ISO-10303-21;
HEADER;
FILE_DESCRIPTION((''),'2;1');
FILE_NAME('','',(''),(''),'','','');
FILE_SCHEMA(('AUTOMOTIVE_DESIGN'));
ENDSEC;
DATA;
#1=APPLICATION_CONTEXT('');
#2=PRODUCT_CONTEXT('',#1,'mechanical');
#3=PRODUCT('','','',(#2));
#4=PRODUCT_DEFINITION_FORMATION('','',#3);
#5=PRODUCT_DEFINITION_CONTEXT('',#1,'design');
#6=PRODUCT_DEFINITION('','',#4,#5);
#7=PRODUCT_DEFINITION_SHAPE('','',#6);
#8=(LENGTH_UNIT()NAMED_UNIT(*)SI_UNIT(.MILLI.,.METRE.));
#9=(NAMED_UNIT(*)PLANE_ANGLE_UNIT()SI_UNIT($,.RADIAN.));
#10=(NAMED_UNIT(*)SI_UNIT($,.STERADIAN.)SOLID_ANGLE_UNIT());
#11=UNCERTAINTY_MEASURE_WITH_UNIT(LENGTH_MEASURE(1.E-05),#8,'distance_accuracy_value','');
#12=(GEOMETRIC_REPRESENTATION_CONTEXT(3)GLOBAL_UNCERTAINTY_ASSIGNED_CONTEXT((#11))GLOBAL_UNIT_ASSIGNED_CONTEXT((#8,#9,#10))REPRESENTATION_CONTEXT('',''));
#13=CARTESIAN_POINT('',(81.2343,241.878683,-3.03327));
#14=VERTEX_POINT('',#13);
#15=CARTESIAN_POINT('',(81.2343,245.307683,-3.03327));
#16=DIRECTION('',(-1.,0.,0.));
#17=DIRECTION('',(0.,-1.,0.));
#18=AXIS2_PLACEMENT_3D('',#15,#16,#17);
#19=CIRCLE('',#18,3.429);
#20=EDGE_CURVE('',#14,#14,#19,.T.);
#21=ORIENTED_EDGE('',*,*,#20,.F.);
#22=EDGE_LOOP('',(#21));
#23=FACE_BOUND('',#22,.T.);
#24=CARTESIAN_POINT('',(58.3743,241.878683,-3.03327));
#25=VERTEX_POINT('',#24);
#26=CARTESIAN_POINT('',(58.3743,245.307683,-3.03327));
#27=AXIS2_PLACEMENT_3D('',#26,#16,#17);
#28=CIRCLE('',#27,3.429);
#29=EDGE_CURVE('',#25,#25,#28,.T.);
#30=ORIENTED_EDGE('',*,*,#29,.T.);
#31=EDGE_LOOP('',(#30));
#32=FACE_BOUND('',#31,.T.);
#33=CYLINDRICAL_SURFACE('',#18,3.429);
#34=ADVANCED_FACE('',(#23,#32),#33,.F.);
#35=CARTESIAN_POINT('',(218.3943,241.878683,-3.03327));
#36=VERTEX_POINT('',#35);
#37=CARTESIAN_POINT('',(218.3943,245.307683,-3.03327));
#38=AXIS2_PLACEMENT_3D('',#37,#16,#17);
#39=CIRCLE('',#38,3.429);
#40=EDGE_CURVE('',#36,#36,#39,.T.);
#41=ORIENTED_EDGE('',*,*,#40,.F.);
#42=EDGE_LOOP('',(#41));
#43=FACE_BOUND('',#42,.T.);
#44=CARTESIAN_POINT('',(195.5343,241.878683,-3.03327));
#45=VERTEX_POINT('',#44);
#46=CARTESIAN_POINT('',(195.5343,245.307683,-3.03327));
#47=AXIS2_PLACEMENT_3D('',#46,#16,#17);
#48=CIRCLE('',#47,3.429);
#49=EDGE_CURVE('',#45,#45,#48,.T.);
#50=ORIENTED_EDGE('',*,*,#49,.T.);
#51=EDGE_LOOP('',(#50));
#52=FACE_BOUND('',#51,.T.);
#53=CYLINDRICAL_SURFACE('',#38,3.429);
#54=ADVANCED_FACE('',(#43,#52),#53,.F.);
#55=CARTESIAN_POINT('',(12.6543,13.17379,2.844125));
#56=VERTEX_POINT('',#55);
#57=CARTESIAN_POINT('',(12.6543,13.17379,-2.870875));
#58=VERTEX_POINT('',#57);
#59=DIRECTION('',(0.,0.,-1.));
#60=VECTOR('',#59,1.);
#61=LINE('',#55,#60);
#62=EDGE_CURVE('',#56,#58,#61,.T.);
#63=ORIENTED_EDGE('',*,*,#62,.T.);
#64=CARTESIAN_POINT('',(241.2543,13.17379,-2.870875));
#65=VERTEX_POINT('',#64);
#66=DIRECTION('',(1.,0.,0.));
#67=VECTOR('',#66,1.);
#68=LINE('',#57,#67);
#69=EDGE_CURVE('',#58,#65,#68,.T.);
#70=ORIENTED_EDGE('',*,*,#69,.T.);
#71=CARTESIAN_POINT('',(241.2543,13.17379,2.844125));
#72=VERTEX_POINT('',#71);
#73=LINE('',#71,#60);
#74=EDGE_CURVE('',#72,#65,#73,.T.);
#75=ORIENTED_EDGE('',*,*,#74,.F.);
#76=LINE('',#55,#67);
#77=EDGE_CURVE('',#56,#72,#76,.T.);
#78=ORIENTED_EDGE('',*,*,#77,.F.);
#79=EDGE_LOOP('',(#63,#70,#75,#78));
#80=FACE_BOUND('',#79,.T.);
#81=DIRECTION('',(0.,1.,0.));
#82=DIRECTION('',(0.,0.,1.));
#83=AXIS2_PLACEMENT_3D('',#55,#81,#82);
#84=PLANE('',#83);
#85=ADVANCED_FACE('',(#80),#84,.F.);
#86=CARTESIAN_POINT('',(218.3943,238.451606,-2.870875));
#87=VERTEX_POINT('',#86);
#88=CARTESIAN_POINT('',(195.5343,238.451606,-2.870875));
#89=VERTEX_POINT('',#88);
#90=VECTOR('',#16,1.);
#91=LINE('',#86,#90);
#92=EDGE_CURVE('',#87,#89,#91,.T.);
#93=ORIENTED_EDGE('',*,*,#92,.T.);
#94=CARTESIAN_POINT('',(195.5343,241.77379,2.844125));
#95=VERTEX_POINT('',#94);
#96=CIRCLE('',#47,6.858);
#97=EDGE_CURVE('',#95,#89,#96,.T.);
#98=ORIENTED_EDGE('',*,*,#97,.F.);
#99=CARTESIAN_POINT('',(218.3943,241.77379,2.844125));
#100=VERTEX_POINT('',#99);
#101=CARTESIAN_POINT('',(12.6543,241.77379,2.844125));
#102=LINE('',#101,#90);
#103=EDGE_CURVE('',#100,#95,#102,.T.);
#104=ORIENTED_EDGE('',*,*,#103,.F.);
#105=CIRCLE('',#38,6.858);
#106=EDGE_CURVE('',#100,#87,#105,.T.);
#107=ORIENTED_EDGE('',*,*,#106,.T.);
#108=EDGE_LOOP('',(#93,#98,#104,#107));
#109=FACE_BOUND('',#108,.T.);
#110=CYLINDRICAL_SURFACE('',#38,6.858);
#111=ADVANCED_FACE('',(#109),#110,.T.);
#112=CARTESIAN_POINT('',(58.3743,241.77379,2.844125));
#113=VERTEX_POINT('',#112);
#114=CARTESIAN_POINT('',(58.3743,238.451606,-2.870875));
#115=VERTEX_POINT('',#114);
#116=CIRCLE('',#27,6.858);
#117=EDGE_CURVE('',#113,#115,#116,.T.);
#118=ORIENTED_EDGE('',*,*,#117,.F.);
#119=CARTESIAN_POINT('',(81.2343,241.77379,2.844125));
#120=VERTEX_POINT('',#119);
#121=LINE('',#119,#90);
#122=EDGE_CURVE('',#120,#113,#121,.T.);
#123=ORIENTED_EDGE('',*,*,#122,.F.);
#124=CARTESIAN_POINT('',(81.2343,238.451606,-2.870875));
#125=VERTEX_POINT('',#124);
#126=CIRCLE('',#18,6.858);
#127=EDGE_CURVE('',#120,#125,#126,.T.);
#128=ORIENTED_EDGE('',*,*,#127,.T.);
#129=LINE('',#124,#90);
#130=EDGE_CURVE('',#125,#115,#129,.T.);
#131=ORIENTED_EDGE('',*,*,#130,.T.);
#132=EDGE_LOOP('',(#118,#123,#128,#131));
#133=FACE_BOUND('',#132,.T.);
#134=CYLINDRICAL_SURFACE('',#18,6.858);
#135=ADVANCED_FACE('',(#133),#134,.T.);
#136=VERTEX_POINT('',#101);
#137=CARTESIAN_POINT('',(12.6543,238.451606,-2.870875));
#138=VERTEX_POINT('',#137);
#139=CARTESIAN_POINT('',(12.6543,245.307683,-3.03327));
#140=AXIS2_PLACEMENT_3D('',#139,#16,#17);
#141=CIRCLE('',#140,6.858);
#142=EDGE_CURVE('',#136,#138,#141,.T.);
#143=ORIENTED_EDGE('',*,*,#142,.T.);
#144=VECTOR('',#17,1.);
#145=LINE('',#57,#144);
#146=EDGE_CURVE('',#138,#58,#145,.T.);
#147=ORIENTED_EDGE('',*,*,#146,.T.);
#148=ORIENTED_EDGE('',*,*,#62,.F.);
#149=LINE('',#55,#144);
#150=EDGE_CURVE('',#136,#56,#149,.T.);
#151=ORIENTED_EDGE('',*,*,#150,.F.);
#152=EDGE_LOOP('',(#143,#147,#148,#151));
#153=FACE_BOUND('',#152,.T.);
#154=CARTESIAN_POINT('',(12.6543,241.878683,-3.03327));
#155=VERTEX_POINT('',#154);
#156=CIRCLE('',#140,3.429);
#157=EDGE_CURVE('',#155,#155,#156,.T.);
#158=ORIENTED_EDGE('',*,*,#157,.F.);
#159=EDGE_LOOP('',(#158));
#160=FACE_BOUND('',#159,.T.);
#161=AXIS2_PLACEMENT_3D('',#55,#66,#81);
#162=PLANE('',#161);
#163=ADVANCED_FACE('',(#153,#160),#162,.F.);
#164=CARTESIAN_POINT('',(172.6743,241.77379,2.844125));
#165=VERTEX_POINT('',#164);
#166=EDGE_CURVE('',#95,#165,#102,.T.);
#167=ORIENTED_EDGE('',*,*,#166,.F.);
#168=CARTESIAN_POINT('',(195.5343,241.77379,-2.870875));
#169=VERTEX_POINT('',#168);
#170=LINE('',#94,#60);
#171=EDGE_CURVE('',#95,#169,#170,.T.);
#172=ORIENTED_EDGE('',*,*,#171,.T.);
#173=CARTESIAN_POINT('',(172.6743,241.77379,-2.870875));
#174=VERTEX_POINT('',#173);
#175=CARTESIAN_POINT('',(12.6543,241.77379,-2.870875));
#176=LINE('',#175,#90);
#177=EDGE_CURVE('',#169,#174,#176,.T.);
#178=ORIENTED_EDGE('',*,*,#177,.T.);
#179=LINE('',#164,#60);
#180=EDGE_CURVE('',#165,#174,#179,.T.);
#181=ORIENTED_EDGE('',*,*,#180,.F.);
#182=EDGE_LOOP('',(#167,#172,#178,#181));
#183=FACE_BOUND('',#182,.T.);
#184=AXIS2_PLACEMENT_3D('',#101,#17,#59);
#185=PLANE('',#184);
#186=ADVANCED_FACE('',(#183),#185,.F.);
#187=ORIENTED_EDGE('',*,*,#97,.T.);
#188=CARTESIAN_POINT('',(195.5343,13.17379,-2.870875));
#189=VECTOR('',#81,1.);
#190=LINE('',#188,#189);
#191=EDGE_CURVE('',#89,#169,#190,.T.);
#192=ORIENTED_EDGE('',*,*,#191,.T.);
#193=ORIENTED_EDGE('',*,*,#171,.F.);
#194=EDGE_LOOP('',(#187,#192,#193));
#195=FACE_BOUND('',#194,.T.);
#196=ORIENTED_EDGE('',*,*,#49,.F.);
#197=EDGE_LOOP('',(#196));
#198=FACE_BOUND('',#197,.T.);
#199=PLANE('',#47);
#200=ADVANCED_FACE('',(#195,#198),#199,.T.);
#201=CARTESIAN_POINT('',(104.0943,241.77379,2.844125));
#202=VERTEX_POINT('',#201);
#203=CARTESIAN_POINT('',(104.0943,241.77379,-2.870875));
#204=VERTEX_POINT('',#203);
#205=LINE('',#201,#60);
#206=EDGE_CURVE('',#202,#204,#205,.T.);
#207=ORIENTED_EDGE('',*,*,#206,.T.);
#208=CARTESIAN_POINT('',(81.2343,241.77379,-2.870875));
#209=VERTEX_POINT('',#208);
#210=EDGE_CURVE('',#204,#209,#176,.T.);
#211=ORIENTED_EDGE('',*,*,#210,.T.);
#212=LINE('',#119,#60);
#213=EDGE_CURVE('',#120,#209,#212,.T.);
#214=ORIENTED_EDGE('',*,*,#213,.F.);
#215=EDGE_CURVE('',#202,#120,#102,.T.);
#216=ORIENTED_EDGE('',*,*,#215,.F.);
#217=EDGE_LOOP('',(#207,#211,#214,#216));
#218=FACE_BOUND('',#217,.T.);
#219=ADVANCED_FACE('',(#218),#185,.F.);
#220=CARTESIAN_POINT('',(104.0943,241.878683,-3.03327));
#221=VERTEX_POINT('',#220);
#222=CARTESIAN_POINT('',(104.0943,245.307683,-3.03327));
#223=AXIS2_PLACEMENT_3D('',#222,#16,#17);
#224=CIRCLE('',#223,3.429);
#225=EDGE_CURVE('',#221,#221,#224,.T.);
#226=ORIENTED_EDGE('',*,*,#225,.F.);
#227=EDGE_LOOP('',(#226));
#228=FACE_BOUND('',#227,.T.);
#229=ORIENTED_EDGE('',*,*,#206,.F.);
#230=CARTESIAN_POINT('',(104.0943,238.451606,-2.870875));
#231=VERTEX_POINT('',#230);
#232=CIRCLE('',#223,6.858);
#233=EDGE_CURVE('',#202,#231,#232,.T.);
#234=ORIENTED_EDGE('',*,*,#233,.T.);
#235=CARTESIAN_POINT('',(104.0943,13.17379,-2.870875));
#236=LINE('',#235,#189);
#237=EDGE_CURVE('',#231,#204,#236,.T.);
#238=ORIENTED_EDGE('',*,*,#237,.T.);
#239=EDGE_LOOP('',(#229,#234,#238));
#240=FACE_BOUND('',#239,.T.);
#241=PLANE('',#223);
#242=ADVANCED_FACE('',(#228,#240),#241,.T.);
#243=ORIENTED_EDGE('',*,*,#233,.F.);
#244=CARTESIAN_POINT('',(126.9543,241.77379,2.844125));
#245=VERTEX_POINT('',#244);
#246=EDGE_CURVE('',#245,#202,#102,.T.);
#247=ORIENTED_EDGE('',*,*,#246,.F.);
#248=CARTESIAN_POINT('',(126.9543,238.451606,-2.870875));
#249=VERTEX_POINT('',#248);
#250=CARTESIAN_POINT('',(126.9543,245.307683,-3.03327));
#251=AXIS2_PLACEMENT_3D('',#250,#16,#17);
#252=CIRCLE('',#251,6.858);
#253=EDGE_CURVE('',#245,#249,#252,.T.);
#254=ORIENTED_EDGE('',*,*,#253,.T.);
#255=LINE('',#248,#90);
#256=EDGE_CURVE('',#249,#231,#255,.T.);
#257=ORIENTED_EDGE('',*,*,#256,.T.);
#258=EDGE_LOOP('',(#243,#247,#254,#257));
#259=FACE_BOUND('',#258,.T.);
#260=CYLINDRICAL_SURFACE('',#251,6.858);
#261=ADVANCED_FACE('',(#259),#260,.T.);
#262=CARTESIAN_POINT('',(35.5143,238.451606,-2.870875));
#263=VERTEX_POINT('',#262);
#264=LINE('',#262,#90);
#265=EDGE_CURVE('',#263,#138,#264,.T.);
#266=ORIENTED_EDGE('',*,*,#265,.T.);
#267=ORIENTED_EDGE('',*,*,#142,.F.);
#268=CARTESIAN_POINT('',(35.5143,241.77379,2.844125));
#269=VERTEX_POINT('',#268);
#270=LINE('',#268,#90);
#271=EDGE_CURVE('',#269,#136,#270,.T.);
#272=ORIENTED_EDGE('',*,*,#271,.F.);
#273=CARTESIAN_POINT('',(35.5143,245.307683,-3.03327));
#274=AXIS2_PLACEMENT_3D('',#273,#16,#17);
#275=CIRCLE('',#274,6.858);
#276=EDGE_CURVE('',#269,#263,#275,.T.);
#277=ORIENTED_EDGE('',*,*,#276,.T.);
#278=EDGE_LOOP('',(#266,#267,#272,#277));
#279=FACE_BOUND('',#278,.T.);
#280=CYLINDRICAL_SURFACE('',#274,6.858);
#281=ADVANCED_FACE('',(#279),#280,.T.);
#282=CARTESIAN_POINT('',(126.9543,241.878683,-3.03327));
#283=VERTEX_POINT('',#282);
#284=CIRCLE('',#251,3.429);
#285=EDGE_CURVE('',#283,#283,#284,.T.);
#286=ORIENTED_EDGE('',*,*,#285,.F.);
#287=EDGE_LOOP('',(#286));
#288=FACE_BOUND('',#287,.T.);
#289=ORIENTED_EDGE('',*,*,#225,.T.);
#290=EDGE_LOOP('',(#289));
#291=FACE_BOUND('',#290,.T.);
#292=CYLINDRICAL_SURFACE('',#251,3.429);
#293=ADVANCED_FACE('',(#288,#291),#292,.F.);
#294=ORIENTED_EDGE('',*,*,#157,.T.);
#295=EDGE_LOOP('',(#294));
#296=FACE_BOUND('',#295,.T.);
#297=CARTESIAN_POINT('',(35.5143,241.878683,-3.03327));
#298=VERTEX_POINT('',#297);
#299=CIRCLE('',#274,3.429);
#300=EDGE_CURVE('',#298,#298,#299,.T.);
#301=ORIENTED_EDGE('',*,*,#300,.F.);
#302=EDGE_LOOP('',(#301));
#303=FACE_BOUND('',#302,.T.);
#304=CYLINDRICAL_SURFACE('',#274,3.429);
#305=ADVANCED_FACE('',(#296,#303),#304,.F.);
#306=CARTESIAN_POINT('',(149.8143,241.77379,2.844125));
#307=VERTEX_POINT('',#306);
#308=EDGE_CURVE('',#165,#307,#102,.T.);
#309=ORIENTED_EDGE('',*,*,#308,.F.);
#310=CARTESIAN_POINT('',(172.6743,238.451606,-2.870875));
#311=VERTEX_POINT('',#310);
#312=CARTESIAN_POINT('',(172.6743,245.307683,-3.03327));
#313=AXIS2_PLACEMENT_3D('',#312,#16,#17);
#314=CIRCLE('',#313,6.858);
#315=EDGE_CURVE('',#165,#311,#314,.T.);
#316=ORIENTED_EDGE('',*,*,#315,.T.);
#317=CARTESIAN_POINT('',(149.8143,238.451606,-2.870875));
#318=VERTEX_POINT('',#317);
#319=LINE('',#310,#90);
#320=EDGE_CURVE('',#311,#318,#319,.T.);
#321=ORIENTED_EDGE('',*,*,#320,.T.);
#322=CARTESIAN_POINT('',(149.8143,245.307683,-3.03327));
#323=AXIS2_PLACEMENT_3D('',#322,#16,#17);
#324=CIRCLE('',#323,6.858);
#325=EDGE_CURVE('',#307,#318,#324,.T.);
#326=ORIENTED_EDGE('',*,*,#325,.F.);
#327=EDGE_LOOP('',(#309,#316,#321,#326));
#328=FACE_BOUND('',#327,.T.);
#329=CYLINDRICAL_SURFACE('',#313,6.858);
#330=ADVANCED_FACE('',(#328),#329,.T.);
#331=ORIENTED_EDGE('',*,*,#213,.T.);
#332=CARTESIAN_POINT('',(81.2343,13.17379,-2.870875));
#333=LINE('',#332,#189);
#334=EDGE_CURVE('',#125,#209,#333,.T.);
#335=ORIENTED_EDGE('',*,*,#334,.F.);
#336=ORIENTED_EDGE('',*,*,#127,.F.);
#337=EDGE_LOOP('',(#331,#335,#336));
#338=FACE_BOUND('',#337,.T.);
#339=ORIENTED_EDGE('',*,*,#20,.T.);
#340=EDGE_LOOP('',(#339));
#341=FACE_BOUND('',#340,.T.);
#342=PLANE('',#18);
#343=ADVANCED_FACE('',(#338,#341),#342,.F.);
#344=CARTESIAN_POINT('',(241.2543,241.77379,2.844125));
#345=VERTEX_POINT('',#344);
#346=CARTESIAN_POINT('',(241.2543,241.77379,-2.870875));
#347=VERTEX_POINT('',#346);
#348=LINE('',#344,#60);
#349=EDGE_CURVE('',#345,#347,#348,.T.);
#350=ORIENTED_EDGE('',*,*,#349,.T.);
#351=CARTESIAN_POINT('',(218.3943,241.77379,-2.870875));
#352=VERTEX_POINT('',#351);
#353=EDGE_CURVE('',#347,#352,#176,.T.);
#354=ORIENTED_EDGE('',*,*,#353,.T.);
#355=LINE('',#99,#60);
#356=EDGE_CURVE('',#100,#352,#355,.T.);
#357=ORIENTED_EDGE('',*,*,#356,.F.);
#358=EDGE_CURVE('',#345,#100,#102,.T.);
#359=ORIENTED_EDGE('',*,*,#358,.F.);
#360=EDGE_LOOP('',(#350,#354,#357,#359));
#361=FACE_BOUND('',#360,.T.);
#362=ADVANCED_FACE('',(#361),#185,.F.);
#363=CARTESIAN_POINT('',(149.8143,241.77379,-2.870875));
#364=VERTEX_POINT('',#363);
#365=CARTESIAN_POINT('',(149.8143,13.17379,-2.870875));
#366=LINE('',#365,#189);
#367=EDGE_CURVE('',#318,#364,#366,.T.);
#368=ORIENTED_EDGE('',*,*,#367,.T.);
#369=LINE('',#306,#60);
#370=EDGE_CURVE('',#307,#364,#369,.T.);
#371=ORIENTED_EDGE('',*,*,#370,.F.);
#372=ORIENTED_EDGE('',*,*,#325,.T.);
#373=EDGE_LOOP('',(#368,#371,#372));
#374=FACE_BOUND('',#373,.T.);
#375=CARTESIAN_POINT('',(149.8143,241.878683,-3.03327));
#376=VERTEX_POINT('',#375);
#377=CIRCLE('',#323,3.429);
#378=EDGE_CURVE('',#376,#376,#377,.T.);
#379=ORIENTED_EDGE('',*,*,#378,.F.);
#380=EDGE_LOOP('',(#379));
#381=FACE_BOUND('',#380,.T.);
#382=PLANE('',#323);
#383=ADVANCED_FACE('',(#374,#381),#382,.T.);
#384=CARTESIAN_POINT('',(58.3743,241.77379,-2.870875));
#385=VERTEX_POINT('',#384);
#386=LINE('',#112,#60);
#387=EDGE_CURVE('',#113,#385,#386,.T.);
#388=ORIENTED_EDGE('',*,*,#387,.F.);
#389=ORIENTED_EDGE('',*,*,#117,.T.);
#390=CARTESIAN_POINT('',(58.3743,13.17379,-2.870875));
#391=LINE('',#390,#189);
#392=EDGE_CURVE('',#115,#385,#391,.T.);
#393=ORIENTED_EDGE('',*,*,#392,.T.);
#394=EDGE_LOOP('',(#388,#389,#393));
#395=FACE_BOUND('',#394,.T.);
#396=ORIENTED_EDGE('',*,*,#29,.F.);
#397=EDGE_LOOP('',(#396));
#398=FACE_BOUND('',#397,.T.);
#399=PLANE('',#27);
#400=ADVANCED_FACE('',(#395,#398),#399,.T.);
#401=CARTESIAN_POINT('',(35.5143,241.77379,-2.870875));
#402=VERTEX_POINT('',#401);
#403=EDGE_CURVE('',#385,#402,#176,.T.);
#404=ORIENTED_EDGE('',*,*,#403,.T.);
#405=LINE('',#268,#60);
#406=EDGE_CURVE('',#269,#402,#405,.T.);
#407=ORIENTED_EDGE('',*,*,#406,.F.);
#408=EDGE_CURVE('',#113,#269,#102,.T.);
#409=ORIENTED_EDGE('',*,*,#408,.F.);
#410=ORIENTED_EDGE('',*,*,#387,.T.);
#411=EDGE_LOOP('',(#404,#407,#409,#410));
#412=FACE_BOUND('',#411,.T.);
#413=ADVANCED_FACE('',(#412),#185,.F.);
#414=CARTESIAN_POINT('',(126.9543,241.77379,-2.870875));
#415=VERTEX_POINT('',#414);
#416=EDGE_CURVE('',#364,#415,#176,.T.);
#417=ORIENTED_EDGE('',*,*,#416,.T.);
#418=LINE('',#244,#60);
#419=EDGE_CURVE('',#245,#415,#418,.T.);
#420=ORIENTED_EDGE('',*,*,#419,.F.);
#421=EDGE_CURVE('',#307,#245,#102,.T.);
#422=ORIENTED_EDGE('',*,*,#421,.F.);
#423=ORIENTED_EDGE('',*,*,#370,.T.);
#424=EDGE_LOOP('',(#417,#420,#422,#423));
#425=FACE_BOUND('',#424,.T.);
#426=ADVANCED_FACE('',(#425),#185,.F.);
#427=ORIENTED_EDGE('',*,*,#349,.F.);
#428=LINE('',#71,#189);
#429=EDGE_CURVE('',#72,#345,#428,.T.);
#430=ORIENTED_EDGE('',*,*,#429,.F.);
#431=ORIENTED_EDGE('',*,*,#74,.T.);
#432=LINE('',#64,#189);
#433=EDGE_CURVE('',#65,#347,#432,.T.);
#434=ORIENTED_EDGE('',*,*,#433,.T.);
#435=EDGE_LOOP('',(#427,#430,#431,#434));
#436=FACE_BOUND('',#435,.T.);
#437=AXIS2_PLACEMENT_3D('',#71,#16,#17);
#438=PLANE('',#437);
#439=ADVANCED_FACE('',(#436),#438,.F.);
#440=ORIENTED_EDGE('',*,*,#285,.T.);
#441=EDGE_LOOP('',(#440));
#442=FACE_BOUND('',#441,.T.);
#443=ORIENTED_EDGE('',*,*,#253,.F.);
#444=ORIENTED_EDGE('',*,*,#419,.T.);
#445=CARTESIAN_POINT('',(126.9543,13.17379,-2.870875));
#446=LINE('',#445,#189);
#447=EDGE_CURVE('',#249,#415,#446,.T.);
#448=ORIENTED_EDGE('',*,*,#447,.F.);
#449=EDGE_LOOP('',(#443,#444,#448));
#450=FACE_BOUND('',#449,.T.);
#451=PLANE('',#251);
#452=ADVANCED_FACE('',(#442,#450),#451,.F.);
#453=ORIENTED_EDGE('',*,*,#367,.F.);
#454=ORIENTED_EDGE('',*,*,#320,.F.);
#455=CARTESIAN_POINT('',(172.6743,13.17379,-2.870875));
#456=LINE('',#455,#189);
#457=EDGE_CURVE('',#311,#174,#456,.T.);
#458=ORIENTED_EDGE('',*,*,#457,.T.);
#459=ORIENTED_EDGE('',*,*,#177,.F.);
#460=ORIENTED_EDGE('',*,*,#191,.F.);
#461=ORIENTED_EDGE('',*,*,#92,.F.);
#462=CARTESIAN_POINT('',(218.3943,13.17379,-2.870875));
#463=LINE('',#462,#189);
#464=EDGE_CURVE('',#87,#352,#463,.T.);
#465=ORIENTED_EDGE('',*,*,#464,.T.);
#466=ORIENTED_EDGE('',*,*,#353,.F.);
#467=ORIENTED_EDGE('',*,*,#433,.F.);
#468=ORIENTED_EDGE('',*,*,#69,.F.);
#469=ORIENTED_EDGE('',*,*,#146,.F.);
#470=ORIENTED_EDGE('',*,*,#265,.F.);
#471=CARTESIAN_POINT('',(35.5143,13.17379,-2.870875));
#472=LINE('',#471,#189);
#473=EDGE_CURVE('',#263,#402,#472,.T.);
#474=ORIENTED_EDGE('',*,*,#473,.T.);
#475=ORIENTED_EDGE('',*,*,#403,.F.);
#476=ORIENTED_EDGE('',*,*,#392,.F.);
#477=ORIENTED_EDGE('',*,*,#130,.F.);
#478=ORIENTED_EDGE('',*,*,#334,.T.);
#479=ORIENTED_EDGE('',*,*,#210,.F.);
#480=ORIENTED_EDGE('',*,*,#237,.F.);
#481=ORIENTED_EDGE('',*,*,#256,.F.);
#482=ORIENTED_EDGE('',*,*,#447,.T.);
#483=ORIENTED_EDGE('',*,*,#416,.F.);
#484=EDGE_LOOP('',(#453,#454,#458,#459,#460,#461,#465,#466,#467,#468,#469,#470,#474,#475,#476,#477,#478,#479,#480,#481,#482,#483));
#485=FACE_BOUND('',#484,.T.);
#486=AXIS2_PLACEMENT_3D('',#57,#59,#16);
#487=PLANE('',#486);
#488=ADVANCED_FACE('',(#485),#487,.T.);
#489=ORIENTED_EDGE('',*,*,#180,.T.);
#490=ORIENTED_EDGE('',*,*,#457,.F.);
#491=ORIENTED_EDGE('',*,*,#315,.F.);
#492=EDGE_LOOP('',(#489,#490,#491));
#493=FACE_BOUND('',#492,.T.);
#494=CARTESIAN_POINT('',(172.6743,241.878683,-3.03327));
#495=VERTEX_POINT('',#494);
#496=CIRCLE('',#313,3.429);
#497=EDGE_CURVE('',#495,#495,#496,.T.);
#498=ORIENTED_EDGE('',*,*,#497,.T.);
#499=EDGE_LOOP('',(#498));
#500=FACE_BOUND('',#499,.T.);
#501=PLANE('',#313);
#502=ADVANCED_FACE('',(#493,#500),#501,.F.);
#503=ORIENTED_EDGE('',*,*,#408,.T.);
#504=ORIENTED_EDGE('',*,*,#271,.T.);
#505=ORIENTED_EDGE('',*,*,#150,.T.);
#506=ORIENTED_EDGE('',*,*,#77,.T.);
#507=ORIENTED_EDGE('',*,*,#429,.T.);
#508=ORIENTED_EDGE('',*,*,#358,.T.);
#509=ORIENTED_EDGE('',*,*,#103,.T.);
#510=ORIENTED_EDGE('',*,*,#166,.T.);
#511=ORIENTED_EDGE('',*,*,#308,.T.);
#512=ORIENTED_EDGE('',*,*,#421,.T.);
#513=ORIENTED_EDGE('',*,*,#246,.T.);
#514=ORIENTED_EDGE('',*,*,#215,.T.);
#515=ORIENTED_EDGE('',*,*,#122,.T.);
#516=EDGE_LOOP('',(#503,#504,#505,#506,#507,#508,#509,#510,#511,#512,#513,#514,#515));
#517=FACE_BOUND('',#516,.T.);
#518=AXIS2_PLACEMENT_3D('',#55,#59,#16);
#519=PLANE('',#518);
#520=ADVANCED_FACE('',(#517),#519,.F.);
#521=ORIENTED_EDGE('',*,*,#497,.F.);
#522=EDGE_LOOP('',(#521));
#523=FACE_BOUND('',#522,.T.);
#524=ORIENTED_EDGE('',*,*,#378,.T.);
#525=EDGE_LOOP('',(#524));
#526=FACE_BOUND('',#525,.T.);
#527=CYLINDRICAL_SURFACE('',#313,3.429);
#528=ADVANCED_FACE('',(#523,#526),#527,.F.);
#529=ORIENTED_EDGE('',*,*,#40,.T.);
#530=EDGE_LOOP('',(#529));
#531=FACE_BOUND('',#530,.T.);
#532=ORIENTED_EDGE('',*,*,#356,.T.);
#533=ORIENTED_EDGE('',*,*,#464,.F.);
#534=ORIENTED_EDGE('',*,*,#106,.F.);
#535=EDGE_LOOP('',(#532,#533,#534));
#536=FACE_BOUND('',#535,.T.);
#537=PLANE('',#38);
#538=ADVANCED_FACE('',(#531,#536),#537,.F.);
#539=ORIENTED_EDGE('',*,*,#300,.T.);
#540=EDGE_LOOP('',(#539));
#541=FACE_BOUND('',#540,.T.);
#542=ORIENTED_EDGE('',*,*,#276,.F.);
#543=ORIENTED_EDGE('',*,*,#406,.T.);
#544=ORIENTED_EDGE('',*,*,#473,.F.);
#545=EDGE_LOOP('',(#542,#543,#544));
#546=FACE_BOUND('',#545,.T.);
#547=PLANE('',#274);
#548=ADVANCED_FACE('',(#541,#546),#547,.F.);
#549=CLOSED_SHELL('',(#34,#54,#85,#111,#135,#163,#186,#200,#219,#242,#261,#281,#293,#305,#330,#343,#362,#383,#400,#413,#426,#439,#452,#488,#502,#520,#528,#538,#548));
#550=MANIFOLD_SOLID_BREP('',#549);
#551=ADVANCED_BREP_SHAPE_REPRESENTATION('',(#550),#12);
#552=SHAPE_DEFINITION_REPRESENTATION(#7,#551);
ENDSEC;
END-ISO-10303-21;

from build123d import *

# Parameters (mm, degrees)
SKETCH1_W           = 254
SKETCH1_H           = 254
BOSS_EXTRUDE1_DEPTH = 3.175
SKETCH2_R           = 7.62
SKETCH2_R_2         = 3.81
BOSS_EXTRUDE2_DEPTH = 25.4
LPATTERN1_COUNT     = 5
LPATTERN1_PITCH     = 50.8
SCALE1_SCALE        = 0.9


with BuildPart() as part:
    # Sketch1 → Boss-Extrude1 (new, symmetric)
    with BuildSketch(Plane.XY):
        with Locations((127, 127)):
            Rectangle(SKETCH1_W, SKETCH1_H)
    extrude(amount=BOSS_EXTRUDE1_DEPTH, both=True)

    # Sketch2 → Boss-Extrude2 (add)
    with BuildSketch(Plane.ZY):
        with Locations((-3.35543862, 257.92654701)):
            Circle(SKETCH2_R)
        with Locations(Location((-3.35543862, 257.92654701, 0), (0, 0, 270))):
            Circle(SKETCH2_R_2, mode=Mode.SUBTRACT)
    boss_extrude2 = extrude(amount=-BOSS_EXTRUDE2_DEPTH)

    # LPattern1: Boss-Extrude2 ×5
    with Locations(*[(i * LPATTERN1_PITCH, 0, 0) for i in range(1, LPATTERN1_COUNT)]):
        add(boss_extrude2)


with BuildPart() as part_1:
    # Scale1: scaled about (126.542998423, 131.737903525, -0.133748204)
    add(part.part.scale(SCALE1_SCALE).moved(Location((12.654299842, 13.173790352, -0.01337482))))


solid = part_1.part
